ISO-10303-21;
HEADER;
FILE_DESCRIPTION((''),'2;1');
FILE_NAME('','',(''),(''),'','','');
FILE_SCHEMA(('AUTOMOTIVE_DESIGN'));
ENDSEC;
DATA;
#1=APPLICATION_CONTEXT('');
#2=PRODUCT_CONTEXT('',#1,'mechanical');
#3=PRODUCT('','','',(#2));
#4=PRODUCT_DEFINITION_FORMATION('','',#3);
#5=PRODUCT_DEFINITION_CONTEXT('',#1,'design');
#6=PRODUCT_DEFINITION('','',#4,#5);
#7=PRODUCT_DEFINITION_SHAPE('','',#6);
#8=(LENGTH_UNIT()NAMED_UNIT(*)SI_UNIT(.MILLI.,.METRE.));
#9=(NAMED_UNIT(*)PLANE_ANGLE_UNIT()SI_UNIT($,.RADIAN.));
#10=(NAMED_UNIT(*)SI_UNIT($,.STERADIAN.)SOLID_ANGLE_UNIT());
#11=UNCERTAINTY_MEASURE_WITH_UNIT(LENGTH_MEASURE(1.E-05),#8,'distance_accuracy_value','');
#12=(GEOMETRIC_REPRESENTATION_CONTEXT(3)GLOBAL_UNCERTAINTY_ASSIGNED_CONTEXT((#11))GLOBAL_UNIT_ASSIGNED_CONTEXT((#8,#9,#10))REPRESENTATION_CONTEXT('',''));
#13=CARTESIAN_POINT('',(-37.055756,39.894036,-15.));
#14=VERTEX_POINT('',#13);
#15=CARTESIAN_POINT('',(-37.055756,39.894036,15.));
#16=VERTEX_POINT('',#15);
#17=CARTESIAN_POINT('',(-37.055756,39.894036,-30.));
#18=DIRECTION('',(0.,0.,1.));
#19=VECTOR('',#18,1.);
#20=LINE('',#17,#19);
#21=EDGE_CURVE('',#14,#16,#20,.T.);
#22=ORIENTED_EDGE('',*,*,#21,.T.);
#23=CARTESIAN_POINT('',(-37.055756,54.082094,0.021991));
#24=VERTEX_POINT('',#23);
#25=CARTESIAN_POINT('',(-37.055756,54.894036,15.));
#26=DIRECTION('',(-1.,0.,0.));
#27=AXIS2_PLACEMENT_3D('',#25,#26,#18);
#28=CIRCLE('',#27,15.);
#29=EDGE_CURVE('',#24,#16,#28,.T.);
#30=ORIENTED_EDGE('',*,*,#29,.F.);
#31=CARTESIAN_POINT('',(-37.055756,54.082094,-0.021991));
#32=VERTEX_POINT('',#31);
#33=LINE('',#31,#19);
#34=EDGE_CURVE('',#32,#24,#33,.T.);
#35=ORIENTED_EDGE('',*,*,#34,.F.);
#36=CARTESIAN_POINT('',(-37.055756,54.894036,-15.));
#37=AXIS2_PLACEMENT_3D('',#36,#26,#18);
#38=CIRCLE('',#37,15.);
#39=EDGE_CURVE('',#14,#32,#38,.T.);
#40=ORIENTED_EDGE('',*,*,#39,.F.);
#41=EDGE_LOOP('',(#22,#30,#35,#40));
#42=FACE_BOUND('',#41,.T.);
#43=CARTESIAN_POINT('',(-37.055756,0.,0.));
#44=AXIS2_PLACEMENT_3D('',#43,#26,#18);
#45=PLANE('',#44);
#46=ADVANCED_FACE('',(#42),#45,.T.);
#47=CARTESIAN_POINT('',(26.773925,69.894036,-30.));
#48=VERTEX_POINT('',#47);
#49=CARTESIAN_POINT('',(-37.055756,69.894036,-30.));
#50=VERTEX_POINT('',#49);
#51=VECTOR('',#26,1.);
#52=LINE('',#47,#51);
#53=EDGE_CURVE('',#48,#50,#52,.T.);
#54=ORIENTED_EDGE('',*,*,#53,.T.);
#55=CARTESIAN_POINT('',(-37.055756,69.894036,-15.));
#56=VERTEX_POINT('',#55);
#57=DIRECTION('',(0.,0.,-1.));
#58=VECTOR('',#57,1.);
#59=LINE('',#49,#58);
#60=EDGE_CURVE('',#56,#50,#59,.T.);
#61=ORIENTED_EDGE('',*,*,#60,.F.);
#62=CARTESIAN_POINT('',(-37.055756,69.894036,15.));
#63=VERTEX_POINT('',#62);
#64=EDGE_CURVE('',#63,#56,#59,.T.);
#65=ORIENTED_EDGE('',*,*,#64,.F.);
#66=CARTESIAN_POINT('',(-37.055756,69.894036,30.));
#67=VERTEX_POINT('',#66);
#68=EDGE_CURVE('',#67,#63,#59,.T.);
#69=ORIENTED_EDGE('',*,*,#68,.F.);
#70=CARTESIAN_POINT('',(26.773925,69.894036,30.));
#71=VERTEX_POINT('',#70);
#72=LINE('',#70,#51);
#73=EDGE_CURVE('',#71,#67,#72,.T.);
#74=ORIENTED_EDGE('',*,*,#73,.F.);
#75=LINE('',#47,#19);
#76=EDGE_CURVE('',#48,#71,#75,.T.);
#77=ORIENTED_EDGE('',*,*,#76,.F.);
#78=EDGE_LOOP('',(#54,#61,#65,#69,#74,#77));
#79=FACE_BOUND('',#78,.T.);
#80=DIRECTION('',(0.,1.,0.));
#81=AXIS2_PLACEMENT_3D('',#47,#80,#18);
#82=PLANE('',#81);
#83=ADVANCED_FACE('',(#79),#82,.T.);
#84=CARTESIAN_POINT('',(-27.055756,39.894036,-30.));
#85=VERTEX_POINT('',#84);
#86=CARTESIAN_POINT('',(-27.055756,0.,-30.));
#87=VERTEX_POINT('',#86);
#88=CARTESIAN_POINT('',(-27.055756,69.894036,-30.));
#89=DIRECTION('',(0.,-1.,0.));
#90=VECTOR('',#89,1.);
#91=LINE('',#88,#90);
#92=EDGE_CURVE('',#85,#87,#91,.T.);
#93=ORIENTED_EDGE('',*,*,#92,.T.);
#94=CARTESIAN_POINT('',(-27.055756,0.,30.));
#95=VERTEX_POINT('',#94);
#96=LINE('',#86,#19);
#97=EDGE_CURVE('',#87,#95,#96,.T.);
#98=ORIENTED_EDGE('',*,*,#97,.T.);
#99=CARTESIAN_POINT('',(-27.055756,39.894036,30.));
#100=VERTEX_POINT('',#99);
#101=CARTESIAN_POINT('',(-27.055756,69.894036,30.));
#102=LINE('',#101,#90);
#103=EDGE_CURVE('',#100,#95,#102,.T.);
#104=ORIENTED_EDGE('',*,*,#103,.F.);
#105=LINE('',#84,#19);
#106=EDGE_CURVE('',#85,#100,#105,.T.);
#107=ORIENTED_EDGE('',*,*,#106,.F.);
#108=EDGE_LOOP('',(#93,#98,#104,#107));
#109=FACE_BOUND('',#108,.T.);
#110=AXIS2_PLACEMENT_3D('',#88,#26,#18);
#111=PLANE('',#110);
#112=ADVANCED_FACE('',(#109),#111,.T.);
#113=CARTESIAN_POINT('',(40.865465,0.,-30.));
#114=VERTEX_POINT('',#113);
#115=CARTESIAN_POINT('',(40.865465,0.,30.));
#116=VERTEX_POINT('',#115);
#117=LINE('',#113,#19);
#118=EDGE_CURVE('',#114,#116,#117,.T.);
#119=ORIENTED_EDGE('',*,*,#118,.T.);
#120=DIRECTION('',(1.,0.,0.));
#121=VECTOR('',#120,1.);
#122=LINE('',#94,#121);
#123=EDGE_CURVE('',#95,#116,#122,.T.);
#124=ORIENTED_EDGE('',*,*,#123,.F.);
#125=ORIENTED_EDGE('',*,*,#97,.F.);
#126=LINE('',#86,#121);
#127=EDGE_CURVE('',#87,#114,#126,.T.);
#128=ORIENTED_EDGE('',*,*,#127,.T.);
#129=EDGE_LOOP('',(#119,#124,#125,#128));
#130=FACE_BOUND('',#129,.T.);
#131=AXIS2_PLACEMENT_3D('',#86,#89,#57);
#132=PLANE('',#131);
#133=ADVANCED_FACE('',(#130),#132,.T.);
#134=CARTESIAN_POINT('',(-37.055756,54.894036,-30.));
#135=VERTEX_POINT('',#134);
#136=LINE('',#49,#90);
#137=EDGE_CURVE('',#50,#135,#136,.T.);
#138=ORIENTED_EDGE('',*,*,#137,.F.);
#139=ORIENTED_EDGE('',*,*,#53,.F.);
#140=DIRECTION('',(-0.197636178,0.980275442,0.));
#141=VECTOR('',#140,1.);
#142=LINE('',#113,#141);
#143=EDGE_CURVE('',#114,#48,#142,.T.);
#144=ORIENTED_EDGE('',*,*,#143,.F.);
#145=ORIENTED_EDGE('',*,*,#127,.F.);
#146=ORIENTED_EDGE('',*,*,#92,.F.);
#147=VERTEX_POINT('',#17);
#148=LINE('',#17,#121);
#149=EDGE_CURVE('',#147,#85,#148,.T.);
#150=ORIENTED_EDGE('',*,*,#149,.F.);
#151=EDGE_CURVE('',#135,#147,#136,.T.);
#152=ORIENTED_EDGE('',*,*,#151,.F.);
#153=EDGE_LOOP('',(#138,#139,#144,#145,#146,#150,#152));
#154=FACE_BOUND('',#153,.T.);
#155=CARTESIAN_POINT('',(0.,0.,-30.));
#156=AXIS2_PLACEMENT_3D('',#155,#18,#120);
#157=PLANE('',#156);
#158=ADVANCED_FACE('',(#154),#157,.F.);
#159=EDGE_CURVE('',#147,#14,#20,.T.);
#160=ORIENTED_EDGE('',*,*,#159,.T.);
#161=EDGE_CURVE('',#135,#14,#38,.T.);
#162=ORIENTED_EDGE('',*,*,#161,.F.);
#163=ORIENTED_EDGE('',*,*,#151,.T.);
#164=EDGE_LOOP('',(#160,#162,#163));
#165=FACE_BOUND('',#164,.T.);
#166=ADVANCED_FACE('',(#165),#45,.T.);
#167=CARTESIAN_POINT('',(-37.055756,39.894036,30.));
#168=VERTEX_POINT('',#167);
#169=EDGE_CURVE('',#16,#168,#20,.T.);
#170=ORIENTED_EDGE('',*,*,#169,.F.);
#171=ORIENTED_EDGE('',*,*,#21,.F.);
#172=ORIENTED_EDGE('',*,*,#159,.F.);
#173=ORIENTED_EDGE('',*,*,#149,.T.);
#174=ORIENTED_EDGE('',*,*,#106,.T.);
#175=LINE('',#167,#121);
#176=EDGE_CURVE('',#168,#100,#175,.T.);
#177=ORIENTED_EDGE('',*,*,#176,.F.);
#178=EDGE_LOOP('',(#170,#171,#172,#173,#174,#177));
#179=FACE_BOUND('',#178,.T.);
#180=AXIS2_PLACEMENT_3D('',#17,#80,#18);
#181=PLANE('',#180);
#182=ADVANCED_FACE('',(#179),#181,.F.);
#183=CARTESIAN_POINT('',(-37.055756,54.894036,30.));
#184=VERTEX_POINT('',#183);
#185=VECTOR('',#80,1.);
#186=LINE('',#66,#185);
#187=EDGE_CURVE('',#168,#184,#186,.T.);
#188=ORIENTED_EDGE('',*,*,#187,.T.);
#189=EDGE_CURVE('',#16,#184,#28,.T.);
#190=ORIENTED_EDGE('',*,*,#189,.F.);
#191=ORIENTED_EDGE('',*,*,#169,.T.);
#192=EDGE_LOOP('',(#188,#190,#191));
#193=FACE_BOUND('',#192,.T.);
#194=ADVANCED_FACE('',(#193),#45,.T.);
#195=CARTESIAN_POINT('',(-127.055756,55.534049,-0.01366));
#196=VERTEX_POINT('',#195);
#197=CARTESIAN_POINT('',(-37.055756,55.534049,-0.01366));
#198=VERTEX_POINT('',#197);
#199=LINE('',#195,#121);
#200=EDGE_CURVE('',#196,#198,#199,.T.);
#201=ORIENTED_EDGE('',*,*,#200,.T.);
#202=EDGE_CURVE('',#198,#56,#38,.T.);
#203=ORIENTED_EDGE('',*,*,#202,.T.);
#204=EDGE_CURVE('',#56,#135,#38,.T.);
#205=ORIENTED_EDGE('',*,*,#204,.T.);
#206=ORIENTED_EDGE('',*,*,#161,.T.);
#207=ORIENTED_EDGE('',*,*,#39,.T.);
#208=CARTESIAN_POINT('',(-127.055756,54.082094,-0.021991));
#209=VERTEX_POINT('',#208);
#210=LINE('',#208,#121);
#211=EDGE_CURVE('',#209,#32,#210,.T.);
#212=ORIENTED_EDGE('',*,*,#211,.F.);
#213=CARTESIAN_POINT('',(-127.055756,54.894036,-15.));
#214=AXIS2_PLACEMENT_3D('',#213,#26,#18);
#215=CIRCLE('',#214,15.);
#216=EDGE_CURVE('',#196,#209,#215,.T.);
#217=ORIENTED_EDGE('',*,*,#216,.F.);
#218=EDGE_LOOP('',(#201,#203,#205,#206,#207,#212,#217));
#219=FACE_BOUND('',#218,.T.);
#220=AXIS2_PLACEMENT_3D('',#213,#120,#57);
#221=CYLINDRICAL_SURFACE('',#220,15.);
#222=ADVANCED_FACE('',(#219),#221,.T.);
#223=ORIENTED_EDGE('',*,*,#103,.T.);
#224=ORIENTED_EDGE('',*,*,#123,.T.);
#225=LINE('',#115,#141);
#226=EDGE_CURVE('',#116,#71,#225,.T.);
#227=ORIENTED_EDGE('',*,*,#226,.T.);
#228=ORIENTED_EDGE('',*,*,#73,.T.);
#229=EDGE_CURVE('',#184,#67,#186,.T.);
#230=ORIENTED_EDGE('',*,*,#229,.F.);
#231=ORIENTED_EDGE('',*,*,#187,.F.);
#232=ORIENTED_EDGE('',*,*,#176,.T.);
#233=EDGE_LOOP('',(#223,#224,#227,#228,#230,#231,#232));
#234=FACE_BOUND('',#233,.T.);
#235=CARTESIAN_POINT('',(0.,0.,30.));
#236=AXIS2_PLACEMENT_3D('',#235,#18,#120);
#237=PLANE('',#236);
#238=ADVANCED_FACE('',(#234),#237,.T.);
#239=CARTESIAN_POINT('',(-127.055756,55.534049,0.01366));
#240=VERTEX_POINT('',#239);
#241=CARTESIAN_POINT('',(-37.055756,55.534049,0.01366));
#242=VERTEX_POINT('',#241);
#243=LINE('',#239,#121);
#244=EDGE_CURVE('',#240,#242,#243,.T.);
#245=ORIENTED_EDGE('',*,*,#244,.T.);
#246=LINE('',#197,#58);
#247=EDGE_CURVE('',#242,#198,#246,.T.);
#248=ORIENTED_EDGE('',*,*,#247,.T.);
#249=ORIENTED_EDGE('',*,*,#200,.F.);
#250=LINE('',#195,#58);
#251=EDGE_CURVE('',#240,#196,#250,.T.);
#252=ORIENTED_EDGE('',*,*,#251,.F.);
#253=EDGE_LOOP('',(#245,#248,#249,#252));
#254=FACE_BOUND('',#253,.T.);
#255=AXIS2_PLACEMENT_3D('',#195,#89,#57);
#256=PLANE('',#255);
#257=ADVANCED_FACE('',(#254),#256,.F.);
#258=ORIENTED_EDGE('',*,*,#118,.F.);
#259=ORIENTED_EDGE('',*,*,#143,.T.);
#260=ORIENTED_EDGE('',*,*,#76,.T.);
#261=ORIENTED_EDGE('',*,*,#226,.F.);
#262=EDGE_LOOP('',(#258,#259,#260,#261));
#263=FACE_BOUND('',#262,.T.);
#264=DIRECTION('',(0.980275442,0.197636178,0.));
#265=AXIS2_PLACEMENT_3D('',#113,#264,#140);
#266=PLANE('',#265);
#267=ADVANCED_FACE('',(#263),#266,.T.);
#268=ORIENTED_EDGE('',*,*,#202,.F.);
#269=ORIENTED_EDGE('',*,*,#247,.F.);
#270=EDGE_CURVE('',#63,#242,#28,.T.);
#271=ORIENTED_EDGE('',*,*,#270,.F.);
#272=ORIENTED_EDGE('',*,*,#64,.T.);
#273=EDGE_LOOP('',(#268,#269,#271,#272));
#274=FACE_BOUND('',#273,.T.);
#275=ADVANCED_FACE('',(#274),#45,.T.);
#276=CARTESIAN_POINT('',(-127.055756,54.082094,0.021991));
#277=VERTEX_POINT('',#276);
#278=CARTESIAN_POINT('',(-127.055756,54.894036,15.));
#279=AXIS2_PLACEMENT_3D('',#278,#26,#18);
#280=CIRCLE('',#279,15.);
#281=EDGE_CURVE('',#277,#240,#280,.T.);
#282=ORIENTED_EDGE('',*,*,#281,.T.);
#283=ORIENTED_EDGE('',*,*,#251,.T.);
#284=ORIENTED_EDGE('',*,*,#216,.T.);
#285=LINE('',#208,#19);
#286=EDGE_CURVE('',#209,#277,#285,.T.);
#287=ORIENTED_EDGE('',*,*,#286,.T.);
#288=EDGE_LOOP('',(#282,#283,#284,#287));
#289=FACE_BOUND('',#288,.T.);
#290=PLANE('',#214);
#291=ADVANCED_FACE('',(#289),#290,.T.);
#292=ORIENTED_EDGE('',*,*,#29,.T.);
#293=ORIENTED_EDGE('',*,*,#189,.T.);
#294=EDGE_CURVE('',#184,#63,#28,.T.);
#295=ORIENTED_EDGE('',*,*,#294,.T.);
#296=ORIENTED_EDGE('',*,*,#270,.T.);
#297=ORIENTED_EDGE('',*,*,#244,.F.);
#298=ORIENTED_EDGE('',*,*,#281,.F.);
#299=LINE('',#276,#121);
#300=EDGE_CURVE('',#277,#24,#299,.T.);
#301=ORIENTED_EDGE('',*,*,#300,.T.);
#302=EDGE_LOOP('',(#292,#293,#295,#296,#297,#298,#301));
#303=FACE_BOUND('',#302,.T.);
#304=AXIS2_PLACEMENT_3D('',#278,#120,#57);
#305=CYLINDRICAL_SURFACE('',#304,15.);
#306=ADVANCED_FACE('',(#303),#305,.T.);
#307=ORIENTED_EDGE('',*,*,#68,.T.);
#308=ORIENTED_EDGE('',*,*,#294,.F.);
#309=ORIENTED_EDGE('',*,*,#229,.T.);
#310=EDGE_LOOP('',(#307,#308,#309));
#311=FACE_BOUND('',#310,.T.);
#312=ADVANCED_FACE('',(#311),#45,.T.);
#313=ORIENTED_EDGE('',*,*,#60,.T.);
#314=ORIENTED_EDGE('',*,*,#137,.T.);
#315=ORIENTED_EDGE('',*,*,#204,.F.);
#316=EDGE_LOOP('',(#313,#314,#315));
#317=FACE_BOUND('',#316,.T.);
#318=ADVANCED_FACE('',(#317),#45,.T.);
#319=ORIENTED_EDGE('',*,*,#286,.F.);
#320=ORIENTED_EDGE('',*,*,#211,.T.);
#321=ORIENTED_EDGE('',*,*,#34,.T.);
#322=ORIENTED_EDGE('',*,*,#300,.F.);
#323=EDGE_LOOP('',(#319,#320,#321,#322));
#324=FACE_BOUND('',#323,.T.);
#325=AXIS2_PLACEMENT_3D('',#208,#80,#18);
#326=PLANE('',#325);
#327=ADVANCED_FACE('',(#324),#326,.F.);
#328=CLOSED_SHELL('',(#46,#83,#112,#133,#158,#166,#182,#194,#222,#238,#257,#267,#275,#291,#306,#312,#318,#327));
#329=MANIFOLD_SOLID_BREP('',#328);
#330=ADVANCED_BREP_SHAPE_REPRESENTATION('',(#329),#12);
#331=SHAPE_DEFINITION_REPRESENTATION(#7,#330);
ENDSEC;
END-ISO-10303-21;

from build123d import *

# Parameters (mm, degrees)
ESTRUSIONE_ESTRUSIONE1_DEPTH      = 30
ESTRUSIONE_ESTRUSIONE1_DEPTH_BACK = 30
ESTRUSIONE_ESTRUSIONE2_DEPTH      = 100
SCHIZZO4_W                        = 60
SCHIZZO4_H                        = 30
ESTRUSIONE_ESTRUSIONE3_DEPTH      = 10


with BuildPart() as part:
    # Schizzo2 → Estrusione-Estrusione1 (new, two sides: drawn at the far end of the back side and taken through both)
    with BuildSketch(Plane.XY.offset(-ESTRUSIONE_ESTRUSIONE1_DEPTH_BACK)):
        Polygon((-27.055755895, 0), (40.865464632, 0), (26.773925104, 69.894036061), (-27.055755895, 69.894036061), align=None)
    extrude(amount=ESTRUSIONE_ESTRUSIONE1_DEPTH + ESTRUSIONE_ESTRUSIONE1_DEPTH_BACK)

    # Schizzo3 → Estrusione-Estrusione2 (add)
    with BuildSketch(Plane.ZY.offset(27.055755895)):
        with BuildLine():
            Line((-0.013660109, 55.534049081), (0.013660109, 55.534049081))
            ThreePointArc((0.013660109, 55.534049081), (29.99975309, 54.980101414), (0.021991114, 54.082094061))
            Line((0.021991114, 54.082094061), (-0.021991114, 54.082094061))
            ThreePointArc((-0.021991114, 54.082094061), (-29.99975309, 54.980101414), (-0.013660109, 55.534049081))
        make_face()
    extrude(amount=ESTRUSIONE_ESTRUSIONE2_DEPTH)

    # Schizzo4 → Estrusione-Estrusione3 (add)
    with BuildSketch(Plane.ZY.offset(27.055755895)):
        with Locations((0, 54.894036061)):
            Rectangle(SCHIZZO4_W, SCHIZZO4_H)
    extrude(amount=ESTRUSIONE_ESTRUSIONE3_DEPTH)


solid = part.part
